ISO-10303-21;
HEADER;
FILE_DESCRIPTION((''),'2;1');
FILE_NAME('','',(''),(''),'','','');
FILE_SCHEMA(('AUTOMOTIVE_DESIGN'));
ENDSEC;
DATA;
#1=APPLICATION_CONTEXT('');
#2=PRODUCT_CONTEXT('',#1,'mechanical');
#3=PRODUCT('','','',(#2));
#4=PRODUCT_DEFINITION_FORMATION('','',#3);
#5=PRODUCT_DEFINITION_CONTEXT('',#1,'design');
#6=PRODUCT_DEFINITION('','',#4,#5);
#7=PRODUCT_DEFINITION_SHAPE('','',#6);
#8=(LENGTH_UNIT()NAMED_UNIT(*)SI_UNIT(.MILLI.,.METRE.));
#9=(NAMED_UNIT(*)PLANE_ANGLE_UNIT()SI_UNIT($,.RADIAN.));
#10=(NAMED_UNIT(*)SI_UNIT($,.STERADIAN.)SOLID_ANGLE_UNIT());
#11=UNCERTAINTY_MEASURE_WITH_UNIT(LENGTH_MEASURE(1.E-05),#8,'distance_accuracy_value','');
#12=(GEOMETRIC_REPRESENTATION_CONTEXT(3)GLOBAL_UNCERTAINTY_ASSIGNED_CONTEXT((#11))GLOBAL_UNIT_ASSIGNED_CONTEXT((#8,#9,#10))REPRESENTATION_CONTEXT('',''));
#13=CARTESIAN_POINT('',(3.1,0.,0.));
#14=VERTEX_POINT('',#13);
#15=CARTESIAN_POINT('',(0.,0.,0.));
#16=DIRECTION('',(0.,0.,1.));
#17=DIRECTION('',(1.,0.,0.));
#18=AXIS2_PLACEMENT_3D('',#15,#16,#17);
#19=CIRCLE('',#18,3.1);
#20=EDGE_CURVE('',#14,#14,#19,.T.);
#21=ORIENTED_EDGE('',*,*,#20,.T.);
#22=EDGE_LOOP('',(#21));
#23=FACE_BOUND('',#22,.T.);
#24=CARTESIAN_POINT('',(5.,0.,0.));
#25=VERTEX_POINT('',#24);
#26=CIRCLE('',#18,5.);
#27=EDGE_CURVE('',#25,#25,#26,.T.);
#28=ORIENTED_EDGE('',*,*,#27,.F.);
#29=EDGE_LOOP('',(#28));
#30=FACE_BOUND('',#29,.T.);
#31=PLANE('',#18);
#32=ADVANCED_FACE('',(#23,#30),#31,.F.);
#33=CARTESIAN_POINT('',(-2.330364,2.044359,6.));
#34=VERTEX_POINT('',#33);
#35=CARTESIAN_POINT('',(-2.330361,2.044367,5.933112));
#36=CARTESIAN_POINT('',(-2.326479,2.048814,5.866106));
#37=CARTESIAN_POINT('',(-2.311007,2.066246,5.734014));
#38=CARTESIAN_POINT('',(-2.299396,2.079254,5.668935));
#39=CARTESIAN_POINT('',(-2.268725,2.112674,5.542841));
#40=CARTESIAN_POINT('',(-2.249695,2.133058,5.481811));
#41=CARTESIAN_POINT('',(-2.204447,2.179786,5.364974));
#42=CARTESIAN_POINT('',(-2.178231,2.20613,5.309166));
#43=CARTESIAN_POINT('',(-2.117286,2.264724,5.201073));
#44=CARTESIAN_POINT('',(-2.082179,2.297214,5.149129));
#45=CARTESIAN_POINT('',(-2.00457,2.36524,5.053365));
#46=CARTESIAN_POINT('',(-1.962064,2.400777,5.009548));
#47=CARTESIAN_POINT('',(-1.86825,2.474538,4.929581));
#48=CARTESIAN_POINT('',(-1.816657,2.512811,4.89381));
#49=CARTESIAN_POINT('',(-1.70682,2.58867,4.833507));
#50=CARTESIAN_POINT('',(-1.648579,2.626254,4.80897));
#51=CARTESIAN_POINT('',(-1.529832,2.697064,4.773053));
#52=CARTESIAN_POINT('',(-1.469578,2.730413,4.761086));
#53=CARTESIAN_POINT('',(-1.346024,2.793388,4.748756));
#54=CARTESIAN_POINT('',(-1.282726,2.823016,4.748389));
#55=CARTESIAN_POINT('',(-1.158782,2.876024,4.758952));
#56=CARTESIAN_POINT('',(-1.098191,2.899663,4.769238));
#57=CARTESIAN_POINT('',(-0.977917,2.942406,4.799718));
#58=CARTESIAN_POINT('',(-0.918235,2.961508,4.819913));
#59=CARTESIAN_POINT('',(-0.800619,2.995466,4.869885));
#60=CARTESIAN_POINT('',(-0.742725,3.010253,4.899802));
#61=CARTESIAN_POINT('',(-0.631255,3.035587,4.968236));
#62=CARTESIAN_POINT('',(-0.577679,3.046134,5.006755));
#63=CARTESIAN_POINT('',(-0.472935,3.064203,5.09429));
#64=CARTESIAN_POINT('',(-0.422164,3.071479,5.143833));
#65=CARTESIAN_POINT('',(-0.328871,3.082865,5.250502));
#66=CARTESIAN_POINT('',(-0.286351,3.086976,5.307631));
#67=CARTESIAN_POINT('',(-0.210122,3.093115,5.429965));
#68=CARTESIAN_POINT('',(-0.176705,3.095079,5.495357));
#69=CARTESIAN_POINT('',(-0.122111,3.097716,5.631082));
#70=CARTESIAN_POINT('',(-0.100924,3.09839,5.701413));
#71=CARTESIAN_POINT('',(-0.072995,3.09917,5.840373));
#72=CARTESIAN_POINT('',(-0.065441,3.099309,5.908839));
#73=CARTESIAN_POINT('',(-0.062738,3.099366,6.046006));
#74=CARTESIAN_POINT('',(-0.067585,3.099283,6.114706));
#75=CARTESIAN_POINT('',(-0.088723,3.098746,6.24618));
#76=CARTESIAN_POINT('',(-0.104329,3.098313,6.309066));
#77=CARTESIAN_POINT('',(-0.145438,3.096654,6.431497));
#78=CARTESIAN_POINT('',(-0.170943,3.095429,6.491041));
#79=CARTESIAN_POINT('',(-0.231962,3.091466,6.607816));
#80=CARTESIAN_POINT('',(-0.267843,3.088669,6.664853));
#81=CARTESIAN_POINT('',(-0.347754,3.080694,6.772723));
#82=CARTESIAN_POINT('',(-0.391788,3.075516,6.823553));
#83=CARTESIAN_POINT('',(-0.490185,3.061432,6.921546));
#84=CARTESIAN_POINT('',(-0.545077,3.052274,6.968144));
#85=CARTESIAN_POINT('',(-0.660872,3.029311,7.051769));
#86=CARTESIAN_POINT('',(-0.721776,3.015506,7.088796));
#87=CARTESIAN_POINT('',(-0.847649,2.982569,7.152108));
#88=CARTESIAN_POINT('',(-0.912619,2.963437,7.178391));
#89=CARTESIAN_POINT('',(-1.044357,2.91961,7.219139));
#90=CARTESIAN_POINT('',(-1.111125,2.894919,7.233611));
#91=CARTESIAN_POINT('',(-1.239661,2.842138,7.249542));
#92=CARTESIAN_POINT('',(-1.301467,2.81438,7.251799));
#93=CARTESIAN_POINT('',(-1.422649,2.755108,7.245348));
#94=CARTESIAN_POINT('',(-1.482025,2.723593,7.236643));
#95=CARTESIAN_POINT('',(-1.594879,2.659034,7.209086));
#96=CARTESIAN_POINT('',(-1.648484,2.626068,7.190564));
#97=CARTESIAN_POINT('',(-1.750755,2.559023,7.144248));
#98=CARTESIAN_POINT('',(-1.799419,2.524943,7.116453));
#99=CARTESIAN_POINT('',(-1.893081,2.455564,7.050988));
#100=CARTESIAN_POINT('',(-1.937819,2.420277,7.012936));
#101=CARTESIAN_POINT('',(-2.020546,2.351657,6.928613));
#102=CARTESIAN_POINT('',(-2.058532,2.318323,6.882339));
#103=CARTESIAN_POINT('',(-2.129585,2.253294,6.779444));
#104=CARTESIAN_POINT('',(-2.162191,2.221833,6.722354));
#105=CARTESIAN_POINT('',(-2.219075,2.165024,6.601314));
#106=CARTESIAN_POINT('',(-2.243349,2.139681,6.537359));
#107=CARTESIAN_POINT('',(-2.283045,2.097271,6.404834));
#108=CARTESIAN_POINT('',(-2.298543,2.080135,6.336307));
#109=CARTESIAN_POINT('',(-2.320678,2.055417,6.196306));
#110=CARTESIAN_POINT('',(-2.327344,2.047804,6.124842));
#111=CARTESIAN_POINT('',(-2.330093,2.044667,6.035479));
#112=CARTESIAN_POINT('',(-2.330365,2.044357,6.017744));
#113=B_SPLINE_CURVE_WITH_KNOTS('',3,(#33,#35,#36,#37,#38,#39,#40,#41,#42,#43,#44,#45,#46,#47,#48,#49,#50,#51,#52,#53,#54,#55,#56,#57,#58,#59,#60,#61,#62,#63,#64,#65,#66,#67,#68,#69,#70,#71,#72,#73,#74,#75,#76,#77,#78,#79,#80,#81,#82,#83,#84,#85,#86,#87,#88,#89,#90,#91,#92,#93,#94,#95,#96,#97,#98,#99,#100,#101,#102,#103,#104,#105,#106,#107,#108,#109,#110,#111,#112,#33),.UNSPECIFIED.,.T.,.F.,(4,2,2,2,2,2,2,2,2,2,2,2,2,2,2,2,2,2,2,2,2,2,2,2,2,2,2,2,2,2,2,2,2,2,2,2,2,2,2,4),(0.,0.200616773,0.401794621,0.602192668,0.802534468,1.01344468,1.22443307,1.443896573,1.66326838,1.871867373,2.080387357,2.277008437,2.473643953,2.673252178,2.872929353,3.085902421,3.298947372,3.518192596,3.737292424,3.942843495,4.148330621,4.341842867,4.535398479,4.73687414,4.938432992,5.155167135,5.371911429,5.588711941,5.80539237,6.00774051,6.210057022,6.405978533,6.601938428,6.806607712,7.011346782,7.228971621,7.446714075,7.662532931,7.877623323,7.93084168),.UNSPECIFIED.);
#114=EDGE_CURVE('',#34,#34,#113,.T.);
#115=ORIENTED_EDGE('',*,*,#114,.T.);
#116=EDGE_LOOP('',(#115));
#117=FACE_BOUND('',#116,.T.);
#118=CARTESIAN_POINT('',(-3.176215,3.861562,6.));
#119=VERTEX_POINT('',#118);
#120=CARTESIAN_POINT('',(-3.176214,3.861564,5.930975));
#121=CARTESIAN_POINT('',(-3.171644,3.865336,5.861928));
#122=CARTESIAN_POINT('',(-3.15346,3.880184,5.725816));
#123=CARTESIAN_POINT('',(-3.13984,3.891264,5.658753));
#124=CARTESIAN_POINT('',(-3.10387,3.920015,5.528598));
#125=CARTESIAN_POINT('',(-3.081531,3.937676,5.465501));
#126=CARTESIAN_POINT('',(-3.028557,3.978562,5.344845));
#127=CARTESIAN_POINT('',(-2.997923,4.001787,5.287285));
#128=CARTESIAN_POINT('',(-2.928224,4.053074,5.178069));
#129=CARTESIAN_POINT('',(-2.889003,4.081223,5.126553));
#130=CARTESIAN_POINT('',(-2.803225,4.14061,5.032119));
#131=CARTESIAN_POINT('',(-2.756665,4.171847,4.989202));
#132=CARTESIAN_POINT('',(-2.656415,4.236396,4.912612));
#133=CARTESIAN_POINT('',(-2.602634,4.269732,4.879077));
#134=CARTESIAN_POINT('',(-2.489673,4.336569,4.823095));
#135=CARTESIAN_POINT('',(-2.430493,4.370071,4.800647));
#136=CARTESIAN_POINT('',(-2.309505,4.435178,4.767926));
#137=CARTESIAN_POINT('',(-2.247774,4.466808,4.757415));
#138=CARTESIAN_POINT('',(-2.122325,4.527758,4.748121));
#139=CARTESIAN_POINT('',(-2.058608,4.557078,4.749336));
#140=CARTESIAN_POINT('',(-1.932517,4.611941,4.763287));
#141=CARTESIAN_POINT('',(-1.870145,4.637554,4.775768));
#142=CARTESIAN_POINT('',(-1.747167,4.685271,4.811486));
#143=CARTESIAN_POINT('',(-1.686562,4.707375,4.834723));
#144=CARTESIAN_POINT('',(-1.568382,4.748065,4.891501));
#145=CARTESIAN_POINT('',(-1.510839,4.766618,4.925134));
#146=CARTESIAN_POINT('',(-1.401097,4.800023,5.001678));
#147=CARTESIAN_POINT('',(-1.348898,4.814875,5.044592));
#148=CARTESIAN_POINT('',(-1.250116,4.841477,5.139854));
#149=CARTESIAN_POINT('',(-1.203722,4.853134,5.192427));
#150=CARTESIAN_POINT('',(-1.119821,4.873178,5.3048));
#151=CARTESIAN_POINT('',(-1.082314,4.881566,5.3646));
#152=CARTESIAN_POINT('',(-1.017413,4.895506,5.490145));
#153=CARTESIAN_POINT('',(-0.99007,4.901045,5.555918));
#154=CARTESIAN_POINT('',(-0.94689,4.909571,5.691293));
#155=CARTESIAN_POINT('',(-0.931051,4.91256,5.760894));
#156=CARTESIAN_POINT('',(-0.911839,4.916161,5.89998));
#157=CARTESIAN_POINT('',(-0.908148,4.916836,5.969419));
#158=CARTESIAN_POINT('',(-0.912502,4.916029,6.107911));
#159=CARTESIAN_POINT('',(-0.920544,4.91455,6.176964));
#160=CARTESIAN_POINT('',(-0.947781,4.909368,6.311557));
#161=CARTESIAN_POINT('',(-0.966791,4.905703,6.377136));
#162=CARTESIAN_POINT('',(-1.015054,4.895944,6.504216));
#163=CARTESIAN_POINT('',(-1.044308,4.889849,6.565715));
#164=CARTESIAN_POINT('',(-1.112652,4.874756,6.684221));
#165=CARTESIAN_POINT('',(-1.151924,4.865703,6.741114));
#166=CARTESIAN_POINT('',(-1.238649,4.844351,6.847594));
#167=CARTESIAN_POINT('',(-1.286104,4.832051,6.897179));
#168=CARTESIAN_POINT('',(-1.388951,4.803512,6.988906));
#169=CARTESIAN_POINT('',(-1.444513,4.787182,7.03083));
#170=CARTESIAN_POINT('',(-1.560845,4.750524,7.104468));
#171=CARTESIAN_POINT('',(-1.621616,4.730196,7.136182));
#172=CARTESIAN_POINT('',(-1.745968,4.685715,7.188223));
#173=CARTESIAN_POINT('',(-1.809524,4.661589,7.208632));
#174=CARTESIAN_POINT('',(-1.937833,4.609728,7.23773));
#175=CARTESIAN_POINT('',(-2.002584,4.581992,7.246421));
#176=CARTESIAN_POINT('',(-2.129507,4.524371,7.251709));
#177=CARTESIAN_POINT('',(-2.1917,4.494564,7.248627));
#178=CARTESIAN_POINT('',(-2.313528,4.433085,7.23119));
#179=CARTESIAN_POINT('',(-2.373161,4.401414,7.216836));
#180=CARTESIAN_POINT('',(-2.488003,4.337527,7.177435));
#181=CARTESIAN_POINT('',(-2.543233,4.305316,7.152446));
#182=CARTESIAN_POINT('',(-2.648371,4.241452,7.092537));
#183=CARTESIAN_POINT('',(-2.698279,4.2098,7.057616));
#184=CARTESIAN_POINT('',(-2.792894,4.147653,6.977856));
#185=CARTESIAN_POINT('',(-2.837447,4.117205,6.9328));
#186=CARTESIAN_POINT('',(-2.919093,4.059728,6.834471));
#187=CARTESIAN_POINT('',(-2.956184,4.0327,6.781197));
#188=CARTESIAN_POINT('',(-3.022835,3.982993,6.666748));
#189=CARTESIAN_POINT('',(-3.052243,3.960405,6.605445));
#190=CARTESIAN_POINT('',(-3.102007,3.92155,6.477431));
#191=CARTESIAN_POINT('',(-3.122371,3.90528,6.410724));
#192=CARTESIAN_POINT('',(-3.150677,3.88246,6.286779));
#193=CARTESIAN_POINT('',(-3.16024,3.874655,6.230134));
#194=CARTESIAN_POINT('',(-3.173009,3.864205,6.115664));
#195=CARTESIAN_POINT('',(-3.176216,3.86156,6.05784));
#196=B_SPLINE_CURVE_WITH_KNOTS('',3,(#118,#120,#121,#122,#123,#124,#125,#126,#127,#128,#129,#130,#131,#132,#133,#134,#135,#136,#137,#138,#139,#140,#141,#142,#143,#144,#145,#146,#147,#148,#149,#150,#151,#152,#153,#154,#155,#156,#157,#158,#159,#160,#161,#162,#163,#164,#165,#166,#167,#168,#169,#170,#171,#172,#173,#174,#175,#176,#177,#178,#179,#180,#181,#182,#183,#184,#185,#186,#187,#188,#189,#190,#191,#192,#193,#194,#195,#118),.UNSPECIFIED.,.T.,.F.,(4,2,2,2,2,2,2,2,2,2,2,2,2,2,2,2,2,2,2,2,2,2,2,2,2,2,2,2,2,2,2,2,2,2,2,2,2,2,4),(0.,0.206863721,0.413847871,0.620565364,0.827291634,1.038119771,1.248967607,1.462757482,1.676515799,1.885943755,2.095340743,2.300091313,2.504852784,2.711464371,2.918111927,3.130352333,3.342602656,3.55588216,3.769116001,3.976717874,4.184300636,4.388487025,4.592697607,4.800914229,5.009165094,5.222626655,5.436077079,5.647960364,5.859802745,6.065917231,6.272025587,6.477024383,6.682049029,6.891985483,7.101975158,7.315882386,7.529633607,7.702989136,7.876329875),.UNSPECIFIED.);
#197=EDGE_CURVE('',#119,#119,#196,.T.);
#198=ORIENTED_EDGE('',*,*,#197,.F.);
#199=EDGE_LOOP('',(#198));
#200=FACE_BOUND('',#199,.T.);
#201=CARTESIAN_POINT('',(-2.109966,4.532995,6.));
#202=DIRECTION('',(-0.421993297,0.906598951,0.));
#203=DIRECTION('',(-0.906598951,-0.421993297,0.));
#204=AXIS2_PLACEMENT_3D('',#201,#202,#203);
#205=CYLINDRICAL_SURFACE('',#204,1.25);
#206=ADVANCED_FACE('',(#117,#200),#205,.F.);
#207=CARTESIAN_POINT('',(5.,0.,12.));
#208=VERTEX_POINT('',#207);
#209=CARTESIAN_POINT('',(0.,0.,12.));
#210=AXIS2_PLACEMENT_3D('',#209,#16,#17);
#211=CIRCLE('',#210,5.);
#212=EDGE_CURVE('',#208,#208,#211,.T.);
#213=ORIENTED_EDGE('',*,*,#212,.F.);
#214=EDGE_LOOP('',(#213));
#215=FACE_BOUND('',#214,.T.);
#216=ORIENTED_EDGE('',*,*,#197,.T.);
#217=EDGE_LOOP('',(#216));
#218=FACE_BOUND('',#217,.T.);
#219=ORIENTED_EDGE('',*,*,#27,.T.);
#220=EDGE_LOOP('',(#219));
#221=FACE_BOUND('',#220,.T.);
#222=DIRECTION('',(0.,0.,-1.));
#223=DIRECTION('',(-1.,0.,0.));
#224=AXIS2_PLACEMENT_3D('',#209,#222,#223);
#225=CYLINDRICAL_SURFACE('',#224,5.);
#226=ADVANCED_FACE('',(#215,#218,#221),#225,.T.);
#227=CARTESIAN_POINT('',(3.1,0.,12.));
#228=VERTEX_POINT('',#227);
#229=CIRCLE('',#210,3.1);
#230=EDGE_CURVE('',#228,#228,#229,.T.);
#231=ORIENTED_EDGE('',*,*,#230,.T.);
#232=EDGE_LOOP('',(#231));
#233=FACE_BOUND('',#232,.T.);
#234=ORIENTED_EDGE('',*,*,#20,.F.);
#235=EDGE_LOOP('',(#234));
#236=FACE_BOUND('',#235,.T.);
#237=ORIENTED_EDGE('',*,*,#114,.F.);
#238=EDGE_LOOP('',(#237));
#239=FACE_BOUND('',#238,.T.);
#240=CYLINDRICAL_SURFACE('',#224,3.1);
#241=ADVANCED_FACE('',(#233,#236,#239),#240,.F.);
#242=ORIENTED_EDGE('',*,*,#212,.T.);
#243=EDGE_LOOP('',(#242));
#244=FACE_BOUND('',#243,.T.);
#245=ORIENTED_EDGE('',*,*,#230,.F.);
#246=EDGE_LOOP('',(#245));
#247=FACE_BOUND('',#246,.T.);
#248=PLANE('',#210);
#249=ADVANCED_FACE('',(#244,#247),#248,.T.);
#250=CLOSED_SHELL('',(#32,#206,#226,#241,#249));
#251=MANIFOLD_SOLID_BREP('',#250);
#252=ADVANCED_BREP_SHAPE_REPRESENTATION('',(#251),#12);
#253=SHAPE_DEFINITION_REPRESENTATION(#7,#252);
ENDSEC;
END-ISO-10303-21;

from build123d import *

# Parameters (mm, degrees)
SKETCH_1_R      = 5
SKETCH_1_R_2    = 3.1
EXTRUDE_1_DEPTH = 12
M3X0_5_1_D      = 2.5
M3X0_5_1_DEPTH  = 4
M3X0_5_1_TIP    = 0.751075774


with BuildPart() as part:
    # ｽｹｯﾁ1 → ﾎﾞｽ - 押し出し1 (new body)
    with BuildSketch(Plane.XY):
        Circle(SKETCH_1_R)
        Circle(SKETCH_1_R_2, mode=Mode.SUBTRACT)
    extrude(amount=EXTRUDE_1_DEPTH)

    # M3x0.5 ねじ穴1
    with Locations(Plane(origin=(-2.109966483, 4.532994754, 6), x_dir=(0.906598951, 0.421993297, 0), z_dir=(-0.421993297, 0.906598951, 0))):
        with Locations((0, 0)):
            Hole(M3X0_5_1_D / 2, depth=M3X0_5_1_DEPTH)
            with Locations((0, 0, -(M3X0_5_1_DEPTH + M3X0_5_1_TIP / 2))):  # 118° drill point
                Cone(0, M3X0_5_1_D / 2, M3X0_5_1_TIP, mode=Mode.SUBTRACT)


solid = part.part
